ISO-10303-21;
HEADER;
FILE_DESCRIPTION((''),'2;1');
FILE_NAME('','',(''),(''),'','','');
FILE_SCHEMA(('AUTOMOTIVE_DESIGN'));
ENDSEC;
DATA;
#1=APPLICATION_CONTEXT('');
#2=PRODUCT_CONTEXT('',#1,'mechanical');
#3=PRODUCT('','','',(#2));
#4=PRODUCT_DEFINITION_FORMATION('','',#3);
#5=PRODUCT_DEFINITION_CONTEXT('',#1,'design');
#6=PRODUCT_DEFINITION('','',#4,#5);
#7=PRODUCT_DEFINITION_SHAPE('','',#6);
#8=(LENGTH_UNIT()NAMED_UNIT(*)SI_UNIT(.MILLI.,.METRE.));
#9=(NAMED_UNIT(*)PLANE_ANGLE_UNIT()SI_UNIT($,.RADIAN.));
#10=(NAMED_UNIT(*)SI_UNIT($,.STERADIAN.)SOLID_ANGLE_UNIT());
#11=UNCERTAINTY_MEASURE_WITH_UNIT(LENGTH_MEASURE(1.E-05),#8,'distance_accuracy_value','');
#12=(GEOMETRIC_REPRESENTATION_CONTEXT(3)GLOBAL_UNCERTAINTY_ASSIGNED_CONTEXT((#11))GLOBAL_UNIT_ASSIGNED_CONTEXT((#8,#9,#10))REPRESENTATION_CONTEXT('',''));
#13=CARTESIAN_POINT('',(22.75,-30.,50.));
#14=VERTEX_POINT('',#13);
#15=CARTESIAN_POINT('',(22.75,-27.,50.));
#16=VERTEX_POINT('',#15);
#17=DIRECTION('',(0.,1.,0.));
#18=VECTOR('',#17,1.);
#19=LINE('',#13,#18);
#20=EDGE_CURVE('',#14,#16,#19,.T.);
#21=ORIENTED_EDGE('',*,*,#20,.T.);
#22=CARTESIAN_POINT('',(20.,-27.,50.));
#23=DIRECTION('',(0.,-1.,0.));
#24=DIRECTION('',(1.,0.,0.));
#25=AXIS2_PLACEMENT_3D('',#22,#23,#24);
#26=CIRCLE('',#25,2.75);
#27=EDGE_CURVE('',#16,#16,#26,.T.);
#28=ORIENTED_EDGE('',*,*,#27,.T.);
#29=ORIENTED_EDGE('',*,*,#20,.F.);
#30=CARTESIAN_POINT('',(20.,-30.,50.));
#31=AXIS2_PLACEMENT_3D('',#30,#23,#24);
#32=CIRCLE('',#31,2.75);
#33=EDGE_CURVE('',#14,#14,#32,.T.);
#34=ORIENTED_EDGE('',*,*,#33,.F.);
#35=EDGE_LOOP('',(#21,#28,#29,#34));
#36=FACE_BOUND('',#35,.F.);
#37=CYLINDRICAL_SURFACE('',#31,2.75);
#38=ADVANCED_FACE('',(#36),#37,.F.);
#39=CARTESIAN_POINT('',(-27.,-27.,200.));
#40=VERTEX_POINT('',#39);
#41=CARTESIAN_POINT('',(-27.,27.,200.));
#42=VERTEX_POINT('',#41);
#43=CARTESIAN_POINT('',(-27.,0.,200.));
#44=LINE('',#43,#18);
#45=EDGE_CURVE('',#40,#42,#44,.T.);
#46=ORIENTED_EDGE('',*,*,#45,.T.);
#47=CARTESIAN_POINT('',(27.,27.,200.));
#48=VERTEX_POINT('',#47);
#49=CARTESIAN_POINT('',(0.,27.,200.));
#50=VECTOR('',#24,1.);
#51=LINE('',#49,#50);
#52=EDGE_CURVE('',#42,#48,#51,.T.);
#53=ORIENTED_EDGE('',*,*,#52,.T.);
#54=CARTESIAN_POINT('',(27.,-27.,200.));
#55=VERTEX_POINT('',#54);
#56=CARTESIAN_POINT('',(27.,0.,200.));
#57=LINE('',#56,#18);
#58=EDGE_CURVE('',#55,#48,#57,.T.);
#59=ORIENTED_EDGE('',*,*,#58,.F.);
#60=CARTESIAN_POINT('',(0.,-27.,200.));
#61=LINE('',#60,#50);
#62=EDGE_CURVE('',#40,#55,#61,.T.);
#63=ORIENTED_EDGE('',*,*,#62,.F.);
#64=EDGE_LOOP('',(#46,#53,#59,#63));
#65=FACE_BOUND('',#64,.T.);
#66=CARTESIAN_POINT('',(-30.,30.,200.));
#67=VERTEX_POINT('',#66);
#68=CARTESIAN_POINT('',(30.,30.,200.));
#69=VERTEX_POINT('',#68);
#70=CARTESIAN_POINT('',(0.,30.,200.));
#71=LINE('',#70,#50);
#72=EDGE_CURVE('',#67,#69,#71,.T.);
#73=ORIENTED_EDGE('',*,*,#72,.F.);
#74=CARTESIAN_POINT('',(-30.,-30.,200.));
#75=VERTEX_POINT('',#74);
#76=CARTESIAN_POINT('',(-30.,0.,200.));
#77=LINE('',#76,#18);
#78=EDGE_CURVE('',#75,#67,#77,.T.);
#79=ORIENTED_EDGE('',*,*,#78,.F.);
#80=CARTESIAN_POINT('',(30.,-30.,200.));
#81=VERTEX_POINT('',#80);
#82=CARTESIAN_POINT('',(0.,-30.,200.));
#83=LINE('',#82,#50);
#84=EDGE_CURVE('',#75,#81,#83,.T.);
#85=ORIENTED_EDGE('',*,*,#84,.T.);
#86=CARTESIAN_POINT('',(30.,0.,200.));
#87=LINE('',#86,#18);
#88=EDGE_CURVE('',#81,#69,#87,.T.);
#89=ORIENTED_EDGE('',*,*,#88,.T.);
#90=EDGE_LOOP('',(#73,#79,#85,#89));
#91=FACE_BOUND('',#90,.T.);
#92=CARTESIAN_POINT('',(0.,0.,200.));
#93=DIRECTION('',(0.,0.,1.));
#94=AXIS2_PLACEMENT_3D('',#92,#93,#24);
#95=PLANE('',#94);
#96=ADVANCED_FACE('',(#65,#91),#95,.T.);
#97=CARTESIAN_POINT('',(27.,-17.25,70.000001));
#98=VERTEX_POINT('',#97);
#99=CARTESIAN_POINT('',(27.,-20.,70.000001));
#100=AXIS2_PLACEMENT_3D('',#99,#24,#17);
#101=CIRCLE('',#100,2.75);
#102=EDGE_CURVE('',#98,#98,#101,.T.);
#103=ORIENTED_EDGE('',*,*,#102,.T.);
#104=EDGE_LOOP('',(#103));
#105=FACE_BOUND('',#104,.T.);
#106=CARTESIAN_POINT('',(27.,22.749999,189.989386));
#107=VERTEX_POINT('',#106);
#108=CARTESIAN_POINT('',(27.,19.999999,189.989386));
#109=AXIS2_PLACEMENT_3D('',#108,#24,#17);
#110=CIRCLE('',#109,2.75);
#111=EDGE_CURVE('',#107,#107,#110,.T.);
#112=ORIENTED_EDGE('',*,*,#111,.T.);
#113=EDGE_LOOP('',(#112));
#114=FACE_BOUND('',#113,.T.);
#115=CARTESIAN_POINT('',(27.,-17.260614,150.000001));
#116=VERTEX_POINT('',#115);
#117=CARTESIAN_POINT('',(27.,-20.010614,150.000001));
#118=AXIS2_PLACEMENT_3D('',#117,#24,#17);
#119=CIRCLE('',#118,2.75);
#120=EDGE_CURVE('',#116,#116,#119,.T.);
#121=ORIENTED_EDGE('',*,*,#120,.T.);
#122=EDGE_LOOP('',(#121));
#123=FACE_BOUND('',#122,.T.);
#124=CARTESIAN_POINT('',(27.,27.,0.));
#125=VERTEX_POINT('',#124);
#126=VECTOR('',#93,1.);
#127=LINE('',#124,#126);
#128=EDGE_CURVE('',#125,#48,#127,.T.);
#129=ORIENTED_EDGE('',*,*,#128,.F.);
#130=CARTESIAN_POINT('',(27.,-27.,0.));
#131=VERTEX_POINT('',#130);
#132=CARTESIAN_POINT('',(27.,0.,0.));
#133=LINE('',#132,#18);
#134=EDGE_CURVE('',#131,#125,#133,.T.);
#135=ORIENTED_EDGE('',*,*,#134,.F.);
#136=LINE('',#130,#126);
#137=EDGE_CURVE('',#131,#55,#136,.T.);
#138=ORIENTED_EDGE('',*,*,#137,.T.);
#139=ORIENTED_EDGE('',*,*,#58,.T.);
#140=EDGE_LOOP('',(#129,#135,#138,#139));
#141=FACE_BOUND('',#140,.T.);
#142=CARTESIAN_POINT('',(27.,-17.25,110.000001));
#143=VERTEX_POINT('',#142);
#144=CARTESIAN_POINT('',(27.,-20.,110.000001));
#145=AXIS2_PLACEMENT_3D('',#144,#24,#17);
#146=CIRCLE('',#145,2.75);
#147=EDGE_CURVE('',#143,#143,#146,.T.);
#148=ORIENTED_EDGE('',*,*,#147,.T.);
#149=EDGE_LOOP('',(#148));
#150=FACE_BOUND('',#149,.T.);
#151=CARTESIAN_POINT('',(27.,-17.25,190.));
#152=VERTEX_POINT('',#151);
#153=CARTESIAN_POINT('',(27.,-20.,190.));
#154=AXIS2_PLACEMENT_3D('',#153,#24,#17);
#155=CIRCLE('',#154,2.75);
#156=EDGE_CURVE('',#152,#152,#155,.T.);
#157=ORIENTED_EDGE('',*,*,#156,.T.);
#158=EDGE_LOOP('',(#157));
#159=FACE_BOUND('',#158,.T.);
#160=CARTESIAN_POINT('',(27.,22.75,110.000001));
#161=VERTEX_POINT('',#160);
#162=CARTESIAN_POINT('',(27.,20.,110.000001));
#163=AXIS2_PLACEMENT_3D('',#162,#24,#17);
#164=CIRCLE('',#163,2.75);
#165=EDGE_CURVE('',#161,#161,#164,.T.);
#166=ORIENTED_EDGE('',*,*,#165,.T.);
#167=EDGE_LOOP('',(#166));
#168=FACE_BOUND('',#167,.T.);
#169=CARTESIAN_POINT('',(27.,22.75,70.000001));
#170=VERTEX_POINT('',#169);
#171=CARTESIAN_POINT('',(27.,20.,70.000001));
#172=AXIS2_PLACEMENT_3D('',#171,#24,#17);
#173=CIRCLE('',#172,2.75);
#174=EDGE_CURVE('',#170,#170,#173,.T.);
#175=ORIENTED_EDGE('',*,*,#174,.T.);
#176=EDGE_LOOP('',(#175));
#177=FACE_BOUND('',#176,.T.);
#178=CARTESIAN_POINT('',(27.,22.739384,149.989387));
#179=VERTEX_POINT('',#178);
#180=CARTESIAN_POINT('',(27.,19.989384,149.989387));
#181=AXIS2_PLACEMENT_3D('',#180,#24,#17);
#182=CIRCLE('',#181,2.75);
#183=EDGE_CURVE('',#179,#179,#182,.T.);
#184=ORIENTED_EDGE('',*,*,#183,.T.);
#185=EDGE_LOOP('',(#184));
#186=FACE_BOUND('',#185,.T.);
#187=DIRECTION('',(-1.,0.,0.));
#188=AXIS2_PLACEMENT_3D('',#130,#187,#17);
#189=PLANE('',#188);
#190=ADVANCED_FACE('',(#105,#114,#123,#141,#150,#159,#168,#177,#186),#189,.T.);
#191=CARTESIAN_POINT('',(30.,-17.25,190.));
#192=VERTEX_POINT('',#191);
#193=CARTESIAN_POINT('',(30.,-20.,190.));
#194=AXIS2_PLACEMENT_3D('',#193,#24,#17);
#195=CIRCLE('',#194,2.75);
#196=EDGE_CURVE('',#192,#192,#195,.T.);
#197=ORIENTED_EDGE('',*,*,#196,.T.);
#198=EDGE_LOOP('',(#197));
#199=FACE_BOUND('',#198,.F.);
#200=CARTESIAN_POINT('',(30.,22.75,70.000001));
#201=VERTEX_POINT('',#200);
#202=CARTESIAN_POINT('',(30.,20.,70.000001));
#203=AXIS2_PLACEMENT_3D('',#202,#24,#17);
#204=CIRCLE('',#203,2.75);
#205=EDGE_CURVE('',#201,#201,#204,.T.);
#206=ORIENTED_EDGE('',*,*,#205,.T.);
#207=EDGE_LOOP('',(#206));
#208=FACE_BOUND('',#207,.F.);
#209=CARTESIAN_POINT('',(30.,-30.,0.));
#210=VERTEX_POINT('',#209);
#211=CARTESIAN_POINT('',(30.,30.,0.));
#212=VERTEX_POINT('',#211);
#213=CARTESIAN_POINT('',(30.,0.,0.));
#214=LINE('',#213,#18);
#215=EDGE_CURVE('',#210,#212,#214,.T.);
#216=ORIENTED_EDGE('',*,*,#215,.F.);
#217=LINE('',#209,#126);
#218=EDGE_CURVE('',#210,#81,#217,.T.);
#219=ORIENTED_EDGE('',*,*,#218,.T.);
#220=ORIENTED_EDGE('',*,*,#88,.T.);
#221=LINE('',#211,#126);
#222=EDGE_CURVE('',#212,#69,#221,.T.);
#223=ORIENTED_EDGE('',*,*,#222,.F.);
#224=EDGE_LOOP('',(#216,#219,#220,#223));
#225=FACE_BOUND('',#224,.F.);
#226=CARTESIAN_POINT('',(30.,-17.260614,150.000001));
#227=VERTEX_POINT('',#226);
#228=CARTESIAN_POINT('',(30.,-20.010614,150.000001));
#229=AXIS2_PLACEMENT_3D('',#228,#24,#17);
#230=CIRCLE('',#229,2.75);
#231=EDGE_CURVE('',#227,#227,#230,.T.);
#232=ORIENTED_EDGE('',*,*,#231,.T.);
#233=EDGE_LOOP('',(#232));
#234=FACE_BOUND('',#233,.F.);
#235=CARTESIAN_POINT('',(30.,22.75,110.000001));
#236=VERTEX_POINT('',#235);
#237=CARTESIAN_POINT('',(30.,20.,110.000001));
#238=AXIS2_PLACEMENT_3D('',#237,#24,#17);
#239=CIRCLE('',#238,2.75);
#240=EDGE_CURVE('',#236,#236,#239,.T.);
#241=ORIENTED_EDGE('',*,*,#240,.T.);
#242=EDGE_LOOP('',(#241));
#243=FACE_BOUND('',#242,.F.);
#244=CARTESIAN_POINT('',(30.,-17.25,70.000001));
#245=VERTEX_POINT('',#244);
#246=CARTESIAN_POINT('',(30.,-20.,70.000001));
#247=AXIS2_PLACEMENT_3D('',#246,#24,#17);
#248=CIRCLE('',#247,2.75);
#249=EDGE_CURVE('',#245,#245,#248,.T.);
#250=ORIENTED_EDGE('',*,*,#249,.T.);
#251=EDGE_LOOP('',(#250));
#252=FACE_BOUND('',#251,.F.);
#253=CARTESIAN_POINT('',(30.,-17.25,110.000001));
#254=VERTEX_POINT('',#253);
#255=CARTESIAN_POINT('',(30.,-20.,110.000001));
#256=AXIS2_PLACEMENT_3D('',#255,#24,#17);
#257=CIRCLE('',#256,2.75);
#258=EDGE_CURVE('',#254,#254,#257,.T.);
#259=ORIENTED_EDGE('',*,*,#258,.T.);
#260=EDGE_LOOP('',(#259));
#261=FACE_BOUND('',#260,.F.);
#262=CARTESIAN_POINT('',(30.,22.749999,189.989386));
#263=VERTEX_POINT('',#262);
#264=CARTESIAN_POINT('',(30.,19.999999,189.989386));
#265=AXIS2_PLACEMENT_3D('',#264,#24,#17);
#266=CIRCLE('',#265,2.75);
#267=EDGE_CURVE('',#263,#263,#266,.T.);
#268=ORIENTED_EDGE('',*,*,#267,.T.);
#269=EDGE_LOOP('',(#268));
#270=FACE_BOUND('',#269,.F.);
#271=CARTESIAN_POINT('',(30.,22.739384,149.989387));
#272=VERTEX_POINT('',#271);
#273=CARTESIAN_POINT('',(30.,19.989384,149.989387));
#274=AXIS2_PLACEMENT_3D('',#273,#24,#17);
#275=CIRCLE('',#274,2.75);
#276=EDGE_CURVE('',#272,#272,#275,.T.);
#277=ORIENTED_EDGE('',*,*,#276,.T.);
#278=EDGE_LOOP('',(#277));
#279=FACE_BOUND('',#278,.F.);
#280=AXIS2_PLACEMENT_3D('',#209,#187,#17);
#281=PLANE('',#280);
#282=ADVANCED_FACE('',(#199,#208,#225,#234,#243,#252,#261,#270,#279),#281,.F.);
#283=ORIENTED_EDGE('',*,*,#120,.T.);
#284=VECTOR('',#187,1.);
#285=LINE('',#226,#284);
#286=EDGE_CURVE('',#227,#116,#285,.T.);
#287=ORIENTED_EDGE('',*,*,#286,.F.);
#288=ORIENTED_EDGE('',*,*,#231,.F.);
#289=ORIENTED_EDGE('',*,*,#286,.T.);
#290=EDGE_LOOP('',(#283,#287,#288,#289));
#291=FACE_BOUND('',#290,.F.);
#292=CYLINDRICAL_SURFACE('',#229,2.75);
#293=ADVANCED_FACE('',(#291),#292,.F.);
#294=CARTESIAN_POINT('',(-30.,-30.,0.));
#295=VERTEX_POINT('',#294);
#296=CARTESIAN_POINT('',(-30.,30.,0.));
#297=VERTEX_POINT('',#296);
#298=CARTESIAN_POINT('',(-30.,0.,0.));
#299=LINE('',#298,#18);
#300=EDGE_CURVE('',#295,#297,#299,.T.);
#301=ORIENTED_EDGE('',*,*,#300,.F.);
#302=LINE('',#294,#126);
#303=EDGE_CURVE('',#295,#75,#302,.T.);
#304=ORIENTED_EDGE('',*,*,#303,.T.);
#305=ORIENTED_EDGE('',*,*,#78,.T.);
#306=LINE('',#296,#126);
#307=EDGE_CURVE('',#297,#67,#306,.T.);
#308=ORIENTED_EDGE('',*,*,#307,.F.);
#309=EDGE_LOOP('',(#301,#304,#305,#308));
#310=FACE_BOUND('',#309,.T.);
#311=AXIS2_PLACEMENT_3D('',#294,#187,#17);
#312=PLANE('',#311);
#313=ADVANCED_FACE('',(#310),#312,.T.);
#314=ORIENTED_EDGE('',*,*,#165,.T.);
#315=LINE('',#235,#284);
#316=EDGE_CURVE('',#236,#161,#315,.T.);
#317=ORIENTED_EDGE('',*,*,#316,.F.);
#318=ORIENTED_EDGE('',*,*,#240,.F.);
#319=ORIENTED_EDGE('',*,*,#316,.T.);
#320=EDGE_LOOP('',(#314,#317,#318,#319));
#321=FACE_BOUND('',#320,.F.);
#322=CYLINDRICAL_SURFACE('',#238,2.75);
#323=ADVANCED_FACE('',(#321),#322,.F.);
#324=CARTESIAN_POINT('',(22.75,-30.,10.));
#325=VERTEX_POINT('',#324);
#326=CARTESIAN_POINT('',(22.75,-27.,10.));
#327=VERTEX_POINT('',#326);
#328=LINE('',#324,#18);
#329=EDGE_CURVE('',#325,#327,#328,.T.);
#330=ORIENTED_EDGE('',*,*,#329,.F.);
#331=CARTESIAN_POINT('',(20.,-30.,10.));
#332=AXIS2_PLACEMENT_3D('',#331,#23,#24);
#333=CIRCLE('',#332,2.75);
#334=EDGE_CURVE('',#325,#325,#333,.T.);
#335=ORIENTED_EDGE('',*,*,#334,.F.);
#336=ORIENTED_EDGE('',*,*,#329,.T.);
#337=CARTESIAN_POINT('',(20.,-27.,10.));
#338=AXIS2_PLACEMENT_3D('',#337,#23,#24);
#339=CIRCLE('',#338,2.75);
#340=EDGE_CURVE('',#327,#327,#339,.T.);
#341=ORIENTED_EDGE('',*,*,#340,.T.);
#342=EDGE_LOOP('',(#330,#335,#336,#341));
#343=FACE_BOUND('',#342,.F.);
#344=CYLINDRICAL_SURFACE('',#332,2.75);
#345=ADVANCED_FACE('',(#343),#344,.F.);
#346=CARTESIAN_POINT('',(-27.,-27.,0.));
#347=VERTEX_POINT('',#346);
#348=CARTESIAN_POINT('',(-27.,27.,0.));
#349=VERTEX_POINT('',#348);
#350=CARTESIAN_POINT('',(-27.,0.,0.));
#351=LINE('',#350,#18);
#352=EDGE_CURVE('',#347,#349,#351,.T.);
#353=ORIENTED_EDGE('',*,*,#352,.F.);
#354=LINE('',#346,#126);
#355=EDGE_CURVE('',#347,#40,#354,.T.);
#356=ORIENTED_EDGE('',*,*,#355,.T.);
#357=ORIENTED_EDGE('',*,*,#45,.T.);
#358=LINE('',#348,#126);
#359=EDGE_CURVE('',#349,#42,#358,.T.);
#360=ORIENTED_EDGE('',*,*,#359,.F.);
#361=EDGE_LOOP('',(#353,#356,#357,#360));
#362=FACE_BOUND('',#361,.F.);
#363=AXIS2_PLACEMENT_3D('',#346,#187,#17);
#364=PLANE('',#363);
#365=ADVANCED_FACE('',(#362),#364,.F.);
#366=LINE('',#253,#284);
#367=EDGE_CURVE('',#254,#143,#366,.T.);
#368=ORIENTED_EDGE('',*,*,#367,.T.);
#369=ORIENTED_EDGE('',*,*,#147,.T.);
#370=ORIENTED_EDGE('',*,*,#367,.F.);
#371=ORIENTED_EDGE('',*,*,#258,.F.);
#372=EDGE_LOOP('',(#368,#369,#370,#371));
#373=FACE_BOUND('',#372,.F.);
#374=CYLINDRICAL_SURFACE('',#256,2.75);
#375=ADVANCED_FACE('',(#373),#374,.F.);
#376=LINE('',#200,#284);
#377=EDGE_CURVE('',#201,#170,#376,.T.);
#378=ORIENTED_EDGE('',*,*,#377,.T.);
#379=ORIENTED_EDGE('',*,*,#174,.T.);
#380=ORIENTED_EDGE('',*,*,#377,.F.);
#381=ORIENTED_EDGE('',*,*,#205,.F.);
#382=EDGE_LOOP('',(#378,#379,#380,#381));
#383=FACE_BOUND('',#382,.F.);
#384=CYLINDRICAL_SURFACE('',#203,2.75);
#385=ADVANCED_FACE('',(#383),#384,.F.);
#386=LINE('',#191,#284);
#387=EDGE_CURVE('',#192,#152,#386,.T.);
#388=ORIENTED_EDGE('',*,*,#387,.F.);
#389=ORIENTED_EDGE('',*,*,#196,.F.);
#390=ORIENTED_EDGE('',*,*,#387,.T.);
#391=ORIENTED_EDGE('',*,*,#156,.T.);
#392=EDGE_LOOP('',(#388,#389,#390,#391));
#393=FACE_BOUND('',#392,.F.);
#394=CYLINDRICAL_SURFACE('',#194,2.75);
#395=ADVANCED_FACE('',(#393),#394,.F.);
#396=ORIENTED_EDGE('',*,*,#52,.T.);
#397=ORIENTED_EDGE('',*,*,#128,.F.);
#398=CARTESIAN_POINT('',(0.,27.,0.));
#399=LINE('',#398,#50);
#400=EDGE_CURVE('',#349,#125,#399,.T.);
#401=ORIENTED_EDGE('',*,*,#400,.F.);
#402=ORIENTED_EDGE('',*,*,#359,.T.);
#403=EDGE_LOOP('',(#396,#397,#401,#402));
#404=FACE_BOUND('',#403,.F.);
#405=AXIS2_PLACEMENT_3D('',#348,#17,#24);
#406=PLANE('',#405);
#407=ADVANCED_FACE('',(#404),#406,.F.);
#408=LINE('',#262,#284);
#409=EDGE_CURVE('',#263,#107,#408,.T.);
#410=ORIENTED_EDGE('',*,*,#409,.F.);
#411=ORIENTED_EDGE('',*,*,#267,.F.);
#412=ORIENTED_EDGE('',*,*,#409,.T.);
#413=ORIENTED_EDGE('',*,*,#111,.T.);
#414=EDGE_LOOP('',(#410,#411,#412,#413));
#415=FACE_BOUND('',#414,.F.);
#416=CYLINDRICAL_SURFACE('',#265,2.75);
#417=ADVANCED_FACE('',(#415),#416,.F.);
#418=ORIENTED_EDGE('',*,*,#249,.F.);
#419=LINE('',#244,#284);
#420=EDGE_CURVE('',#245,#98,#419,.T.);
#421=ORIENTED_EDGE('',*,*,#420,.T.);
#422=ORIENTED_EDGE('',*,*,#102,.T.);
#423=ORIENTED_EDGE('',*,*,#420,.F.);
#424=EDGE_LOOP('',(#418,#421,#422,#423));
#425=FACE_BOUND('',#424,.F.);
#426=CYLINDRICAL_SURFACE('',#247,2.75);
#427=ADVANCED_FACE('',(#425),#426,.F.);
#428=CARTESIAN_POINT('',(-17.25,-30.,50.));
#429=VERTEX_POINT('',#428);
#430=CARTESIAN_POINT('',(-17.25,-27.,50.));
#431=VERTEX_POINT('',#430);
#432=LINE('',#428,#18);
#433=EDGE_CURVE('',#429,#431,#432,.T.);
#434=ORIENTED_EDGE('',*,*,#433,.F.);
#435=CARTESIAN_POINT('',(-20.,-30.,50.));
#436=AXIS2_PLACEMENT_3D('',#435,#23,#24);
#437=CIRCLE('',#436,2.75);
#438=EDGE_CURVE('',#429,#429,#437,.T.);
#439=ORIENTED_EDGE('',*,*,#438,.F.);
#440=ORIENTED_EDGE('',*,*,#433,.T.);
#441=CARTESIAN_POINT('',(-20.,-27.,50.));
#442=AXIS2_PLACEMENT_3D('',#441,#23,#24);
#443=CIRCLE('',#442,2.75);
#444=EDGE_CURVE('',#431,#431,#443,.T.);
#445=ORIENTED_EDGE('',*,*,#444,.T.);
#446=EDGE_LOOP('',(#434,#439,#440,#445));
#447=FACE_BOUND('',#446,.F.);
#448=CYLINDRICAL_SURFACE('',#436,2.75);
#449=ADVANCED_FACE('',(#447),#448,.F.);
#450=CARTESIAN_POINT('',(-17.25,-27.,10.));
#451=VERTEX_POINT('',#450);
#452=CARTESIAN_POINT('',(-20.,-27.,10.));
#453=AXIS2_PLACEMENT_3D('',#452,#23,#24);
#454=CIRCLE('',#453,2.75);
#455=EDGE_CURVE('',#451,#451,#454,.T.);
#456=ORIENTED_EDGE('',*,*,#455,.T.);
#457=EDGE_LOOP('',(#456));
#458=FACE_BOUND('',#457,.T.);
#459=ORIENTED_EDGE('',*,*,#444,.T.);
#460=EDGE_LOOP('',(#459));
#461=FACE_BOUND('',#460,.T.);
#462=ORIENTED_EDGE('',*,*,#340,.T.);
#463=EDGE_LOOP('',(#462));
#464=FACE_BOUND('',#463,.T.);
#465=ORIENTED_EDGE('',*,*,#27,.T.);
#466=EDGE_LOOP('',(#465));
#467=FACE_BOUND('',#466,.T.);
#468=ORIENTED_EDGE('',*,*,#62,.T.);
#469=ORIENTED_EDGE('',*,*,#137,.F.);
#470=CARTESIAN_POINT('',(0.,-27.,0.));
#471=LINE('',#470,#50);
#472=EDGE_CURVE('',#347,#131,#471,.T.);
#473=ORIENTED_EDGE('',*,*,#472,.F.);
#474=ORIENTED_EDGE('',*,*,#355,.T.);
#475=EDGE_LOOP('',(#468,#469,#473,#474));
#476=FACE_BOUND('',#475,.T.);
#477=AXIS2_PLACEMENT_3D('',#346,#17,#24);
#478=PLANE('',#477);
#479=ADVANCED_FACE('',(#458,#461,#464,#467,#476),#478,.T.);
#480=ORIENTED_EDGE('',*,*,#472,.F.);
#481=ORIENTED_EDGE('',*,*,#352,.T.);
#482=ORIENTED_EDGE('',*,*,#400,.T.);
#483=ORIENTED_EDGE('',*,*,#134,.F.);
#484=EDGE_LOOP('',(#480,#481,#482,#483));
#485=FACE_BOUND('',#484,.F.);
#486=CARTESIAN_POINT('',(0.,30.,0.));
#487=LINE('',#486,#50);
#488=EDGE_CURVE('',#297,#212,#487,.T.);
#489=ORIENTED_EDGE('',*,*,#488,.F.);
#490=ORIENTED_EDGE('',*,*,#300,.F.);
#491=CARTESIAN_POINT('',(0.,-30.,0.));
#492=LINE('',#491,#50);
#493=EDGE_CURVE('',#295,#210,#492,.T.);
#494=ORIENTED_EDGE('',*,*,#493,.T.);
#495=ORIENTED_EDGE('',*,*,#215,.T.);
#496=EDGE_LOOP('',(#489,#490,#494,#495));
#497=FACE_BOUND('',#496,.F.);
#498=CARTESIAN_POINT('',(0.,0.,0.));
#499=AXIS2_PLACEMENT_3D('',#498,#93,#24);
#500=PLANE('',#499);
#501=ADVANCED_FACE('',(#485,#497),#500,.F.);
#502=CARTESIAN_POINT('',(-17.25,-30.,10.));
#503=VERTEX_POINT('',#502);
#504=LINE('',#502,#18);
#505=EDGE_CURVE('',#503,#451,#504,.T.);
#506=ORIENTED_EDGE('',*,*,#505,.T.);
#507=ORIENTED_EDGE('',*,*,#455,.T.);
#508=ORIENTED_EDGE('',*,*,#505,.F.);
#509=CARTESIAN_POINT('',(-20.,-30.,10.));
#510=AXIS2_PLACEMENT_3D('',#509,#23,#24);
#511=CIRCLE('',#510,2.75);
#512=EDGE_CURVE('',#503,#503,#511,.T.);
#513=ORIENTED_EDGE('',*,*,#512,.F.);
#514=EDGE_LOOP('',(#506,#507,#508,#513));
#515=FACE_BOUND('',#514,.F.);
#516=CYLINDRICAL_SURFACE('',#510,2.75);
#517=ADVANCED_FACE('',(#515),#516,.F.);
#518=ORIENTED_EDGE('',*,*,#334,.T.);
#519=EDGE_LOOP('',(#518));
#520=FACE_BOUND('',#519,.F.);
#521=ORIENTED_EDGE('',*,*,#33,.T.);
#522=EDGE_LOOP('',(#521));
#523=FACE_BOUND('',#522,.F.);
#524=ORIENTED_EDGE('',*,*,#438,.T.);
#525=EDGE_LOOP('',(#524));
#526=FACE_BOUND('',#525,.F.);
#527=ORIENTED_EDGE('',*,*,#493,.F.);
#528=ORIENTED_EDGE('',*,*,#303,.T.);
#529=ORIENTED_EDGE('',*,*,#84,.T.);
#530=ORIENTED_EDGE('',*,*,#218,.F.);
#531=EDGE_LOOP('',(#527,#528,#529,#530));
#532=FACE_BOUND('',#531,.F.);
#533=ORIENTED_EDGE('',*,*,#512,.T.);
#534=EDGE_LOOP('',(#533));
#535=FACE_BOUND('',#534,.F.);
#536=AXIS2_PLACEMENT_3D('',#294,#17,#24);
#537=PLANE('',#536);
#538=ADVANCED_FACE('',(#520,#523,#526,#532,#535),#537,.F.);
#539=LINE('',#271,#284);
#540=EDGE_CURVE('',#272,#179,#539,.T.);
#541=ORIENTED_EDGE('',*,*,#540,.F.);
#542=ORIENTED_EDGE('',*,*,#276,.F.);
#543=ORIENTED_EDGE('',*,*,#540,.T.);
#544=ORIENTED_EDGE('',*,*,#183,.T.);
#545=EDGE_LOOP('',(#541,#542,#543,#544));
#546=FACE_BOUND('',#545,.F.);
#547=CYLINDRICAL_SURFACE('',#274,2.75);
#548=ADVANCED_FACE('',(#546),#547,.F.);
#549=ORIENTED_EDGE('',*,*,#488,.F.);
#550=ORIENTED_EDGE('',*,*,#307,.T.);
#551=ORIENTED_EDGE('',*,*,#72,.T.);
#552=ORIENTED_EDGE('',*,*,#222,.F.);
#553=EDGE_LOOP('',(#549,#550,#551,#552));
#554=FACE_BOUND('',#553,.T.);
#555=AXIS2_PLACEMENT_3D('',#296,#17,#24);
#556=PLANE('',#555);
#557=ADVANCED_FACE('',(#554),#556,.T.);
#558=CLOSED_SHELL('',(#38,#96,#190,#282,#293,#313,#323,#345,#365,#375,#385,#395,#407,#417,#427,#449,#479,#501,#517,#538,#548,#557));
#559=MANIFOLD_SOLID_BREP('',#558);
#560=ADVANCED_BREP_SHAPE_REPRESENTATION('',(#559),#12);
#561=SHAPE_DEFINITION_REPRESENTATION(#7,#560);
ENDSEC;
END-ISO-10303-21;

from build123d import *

# Parameters (mm, degrees)
SKETCH_W        = 60
SKETCH_H        = 60
SKETCH_W_2      = 54
SKETCH_H_2      = 54
PAD_DEPTH       = 200
SKETCH001_R     = 2.75
POCKET_DEPTH    = 3
SKETCH002_R     = 2.75
POCKET001_DEPTH = 3


with BuildPart() as part:
    # Sketch → Pad (new body)
    with BuildSketch(Plane.XY):
        Rectangle(SKETCH_W, SKETCH_H)
        Rectangle(SKETCH_W_2, SKETCH_H_2, mode=Mode.SUBTRACT)
    extrude(amount=PAD_DEPTH)

    # Sketch001 (on Face3 of Pad) → Pocket (cut)
    with BuildSketch(Plane.XZ.offset(30)):
        with Locations((-20, 50)):
            Circle(SKETCH001_R)
        with Locations((20, 50)):
            Circle(SKETCH001_R)
        with Locations((-20, 10)):
            Circle(SKETCH001_R)
        with Locations((20, 10)):
            Circle(SKETCH001_R)
    extrude(amount=-POCKET_DEPTH, mode=Mode.SUBTRACT)

    # Sketch002 (on Face3 of Pocket) → Pocket001 (cut)
    with BuildSketch(Plane.YZ.offset(30)):
        with Locations((-20, 190)):
            Circle(SKETCH002_R)
        with Locations((19.999999, 189.989386)):
            Circle(SKETCH002_R)
        with Locations((-20.010614, 150.000001)):
            Circle(SKETCH002_R)
        with Locations((19.989384, 149.989387)):
            Circle(SKETCH002_R)
        with Locations((-20, 110.000001)):
            Circle(SKETCH002_R)
        with Locations((20, 110.000001)):
            Circle(SKETCH002_R)
        with Locations((-20, 70.000001)):
            Circle(SKETCH002_R)
        with Locations((20, 70.000001)):
            Circle(SKETCH002_R)
    extrude(amount=-POCKET001_DEPTH, mode=Mode.SUBTRACT)


solid = part.part
